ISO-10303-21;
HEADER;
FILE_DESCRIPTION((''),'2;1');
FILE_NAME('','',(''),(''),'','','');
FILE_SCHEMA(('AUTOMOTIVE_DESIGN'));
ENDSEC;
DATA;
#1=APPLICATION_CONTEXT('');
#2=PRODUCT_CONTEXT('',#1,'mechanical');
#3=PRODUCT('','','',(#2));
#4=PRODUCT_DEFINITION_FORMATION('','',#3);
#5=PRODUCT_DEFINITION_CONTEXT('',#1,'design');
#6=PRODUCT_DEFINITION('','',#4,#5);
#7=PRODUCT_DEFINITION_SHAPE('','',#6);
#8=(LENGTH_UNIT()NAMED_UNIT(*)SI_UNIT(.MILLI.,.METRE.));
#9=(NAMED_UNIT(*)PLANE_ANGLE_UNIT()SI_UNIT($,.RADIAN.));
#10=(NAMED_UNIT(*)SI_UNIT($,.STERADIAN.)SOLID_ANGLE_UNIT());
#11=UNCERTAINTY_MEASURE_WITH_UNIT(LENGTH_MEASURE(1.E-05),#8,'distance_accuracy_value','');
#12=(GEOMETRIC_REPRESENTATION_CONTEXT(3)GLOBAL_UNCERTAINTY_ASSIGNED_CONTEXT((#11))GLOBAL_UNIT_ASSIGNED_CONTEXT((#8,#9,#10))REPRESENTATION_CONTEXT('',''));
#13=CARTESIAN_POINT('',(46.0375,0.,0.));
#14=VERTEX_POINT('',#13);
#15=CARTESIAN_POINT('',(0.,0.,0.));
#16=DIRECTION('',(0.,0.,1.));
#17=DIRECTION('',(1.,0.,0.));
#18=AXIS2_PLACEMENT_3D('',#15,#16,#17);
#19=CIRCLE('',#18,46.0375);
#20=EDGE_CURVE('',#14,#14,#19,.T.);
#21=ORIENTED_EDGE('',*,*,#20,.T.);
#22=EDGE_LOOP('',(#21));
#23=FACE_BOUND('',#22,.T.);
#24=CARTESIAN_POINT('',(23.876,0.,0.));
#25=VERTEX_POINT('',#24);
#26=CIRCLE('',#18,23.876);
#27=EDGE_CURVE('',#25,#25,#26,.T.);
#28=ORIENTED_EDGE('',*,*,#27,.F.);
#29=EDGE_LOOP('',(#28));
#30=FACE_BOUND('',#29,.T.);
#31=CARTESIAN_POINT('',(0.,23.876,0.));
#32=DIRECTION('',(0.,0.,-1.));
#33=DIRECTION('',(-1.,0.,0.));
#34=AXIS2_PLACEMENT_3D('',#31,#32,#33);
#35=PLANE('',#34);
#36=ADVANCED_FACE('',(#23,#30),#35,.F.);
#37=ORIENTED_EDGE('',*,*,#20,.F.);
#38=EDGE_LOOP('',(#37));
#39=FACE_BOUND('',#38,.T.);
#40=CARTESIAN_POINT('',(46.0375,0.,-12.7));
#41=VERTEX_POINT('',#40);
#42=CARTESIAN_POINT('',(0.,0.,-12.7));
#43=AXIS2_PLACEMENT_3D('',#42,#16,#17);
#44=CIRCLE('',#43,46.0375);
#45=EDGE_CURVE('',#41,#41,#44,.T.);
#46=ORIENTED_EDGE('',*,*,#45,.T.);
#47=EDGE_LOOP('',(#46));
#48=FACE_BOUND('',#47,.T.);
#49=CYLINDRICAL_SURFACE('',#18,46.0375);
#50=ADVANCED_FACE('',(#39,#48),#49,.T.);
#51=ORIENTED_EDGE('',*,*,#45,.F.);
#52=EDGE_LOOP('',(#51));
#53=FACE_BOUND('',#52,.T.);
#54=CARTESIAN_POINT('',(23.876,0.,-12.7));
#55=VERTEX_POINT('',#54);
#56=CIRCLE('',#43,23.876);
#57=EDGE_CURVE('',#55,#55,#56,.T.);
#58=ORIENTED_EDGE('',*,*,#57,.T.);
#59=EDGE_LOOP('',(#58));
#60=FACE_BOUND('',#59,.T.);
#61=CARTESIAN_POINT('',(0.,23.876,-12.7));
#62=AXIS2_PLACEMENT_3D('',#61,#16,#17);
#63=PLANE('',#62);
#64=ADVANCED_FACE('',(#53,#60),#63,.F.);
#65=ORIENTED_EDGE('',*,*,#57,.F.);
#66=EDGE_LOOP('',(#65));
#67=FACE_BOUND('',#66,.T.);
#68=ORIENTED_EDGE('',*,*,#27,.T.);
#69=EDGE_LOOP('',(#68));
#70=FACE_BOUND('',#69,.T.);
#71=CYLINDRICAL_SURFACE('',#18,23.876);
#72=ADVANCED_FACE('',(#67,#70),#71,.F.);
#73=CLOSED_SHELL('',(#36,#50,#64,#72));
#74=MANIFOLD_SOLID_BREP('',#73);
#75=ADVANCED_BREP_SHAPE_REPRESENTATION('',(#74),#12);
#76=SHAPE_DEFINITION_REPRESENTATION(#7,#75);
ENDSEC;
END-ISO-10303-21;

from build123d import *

# Parameters (mm, degrees)
SKETCH1_W = 12.7
SKETCH1_H = 22.1615


with BuildPart() as part:
    # Sketch1 → Revolve1 (revolve)
    with BuildSketch(Plane(origin=(0, 0, 0), x_dir=(0, 0, -1), z_dir=(1, 0, 0)), mode=Mode.PRIVATE) as revolve1_sk:
        with Locations((6.35, 34.95675)):
            Rectangle(SKETCH1_W, SKETCH1_H)
    revolve(revolve1_sk.sketch.rotate(Axis((0, 0, 0), (0, 0, -1)), 90), axis=Axis((0, 0, 0), (0, 0, -1)))


solid = part.part
